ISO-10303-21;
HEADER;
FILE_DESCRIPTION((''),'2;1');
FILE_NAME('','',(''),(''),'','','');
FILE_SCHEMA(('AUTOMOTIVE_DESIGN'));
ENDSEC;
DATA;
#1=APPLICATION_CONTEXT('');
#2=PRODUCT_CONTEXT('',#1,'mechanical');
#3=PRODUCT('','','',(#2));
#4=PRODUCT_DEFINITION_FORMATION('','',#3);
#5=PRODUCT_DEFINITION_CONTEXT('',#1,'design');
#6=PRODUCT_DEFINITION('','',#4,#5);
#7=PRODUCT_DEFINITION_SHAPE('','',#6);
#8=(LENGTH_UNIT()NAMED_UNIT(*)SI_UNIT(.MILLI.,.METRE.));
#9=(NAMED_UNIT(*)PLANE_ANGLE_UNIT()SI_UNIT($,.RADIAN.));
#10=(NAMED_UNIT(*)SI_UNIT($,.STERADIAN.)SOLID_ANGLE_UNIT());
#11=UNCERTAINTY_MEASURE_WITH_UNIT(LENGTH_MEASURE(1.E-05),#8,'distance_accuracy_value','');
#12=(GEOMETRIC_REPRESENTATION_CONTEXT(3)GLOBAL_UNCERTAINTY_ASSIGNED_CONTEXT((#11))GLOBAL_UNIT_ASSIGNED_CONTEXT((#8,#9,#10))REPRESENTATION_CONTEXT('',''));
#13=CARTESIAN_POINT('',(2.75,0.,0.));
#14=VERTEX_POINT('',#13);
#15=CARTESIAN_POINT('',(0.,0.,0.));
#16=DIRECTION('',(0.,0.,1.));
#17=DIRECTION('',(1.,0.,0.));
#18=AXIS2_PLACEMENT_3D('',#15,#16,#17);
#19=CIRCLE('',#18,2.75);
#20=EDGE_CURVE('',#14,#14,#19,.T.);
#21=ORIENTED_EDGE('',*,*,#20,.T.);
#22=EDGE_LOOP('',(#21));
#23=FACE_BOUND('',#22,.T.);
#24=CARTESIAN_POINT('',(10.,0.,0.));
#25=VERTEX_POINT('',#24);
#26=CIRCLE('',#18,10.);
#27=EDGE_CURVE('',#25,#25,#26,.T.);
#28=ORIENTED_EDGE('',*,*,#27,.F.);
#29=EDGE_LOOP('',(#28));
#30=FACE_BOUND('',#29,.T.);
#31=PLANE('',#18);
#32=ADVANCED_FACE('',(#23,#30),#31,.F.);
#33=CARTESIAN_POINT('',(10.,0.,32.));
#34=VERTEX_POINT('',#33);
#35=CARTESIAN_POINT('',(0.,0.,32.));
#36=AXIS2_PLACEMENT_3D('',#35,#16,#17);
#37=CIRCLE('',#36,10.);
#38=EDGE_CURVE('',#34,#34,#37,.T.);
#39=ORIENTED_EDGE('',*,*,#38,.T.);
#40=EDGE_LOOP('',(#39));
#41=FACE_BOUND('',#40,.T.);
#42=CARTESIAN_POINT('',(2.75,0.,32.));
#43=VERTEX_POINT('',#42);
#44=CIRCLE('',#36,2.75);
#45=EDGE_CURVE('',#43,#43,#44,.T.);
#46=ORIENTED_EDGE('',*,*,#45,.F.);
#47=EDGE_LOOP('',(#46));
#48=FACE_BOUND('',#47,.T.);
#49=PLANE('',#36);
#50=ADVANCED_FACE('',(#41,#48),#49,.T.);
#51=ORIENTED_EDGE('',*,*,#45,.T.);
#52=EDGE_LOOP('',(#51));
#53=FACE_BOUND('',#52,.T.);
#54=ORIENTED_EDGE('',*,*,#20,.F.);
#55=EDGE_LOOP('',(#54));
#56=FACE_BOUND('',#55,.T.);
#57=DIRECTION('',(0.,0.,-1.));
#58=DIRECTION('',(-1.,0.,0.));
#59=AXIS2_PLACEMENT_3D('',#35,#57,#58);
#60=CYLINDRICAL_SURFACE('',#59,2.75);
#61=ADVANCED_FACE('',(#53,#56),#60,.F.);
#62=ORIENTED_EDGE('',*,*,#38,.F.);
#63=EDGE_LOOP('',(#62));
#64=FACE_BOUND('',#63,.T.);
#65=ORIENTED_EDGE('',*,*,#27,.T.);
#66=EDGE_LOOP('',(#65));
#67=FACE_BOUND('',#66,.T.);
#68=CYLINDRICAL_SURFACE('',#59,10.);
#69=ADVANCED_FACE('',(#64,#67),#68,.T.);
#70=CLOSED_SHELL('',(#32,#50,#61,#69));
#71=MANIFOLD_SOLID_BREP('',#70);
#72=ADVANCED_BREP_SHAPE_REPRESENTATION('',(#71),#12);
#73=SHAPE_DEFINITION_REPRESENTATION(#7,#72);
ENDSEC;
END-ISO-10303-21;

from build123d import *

# Parameters (mm, degrees)
SKIZZE1_R                       = 10
SKIZZE1_R_2                     = 2.75
AUFSATZ_LINEAR_AUSTRAGEN1_DEPTH = 32


with BuildPart() as part:
    # Skizze1 → Aufsatz-Linear austragen1 (new body)
    with BuildSketch(Plane.XY):
        Circle(SKIZZE1_R)
        Circle(SKIZZE1_R_2, mode=Mode.SUBTRACT)
    extrude(amount=AUFSATZ_LINEAR_AUSTRAGEN1_DEPTH)


solid = part.part
